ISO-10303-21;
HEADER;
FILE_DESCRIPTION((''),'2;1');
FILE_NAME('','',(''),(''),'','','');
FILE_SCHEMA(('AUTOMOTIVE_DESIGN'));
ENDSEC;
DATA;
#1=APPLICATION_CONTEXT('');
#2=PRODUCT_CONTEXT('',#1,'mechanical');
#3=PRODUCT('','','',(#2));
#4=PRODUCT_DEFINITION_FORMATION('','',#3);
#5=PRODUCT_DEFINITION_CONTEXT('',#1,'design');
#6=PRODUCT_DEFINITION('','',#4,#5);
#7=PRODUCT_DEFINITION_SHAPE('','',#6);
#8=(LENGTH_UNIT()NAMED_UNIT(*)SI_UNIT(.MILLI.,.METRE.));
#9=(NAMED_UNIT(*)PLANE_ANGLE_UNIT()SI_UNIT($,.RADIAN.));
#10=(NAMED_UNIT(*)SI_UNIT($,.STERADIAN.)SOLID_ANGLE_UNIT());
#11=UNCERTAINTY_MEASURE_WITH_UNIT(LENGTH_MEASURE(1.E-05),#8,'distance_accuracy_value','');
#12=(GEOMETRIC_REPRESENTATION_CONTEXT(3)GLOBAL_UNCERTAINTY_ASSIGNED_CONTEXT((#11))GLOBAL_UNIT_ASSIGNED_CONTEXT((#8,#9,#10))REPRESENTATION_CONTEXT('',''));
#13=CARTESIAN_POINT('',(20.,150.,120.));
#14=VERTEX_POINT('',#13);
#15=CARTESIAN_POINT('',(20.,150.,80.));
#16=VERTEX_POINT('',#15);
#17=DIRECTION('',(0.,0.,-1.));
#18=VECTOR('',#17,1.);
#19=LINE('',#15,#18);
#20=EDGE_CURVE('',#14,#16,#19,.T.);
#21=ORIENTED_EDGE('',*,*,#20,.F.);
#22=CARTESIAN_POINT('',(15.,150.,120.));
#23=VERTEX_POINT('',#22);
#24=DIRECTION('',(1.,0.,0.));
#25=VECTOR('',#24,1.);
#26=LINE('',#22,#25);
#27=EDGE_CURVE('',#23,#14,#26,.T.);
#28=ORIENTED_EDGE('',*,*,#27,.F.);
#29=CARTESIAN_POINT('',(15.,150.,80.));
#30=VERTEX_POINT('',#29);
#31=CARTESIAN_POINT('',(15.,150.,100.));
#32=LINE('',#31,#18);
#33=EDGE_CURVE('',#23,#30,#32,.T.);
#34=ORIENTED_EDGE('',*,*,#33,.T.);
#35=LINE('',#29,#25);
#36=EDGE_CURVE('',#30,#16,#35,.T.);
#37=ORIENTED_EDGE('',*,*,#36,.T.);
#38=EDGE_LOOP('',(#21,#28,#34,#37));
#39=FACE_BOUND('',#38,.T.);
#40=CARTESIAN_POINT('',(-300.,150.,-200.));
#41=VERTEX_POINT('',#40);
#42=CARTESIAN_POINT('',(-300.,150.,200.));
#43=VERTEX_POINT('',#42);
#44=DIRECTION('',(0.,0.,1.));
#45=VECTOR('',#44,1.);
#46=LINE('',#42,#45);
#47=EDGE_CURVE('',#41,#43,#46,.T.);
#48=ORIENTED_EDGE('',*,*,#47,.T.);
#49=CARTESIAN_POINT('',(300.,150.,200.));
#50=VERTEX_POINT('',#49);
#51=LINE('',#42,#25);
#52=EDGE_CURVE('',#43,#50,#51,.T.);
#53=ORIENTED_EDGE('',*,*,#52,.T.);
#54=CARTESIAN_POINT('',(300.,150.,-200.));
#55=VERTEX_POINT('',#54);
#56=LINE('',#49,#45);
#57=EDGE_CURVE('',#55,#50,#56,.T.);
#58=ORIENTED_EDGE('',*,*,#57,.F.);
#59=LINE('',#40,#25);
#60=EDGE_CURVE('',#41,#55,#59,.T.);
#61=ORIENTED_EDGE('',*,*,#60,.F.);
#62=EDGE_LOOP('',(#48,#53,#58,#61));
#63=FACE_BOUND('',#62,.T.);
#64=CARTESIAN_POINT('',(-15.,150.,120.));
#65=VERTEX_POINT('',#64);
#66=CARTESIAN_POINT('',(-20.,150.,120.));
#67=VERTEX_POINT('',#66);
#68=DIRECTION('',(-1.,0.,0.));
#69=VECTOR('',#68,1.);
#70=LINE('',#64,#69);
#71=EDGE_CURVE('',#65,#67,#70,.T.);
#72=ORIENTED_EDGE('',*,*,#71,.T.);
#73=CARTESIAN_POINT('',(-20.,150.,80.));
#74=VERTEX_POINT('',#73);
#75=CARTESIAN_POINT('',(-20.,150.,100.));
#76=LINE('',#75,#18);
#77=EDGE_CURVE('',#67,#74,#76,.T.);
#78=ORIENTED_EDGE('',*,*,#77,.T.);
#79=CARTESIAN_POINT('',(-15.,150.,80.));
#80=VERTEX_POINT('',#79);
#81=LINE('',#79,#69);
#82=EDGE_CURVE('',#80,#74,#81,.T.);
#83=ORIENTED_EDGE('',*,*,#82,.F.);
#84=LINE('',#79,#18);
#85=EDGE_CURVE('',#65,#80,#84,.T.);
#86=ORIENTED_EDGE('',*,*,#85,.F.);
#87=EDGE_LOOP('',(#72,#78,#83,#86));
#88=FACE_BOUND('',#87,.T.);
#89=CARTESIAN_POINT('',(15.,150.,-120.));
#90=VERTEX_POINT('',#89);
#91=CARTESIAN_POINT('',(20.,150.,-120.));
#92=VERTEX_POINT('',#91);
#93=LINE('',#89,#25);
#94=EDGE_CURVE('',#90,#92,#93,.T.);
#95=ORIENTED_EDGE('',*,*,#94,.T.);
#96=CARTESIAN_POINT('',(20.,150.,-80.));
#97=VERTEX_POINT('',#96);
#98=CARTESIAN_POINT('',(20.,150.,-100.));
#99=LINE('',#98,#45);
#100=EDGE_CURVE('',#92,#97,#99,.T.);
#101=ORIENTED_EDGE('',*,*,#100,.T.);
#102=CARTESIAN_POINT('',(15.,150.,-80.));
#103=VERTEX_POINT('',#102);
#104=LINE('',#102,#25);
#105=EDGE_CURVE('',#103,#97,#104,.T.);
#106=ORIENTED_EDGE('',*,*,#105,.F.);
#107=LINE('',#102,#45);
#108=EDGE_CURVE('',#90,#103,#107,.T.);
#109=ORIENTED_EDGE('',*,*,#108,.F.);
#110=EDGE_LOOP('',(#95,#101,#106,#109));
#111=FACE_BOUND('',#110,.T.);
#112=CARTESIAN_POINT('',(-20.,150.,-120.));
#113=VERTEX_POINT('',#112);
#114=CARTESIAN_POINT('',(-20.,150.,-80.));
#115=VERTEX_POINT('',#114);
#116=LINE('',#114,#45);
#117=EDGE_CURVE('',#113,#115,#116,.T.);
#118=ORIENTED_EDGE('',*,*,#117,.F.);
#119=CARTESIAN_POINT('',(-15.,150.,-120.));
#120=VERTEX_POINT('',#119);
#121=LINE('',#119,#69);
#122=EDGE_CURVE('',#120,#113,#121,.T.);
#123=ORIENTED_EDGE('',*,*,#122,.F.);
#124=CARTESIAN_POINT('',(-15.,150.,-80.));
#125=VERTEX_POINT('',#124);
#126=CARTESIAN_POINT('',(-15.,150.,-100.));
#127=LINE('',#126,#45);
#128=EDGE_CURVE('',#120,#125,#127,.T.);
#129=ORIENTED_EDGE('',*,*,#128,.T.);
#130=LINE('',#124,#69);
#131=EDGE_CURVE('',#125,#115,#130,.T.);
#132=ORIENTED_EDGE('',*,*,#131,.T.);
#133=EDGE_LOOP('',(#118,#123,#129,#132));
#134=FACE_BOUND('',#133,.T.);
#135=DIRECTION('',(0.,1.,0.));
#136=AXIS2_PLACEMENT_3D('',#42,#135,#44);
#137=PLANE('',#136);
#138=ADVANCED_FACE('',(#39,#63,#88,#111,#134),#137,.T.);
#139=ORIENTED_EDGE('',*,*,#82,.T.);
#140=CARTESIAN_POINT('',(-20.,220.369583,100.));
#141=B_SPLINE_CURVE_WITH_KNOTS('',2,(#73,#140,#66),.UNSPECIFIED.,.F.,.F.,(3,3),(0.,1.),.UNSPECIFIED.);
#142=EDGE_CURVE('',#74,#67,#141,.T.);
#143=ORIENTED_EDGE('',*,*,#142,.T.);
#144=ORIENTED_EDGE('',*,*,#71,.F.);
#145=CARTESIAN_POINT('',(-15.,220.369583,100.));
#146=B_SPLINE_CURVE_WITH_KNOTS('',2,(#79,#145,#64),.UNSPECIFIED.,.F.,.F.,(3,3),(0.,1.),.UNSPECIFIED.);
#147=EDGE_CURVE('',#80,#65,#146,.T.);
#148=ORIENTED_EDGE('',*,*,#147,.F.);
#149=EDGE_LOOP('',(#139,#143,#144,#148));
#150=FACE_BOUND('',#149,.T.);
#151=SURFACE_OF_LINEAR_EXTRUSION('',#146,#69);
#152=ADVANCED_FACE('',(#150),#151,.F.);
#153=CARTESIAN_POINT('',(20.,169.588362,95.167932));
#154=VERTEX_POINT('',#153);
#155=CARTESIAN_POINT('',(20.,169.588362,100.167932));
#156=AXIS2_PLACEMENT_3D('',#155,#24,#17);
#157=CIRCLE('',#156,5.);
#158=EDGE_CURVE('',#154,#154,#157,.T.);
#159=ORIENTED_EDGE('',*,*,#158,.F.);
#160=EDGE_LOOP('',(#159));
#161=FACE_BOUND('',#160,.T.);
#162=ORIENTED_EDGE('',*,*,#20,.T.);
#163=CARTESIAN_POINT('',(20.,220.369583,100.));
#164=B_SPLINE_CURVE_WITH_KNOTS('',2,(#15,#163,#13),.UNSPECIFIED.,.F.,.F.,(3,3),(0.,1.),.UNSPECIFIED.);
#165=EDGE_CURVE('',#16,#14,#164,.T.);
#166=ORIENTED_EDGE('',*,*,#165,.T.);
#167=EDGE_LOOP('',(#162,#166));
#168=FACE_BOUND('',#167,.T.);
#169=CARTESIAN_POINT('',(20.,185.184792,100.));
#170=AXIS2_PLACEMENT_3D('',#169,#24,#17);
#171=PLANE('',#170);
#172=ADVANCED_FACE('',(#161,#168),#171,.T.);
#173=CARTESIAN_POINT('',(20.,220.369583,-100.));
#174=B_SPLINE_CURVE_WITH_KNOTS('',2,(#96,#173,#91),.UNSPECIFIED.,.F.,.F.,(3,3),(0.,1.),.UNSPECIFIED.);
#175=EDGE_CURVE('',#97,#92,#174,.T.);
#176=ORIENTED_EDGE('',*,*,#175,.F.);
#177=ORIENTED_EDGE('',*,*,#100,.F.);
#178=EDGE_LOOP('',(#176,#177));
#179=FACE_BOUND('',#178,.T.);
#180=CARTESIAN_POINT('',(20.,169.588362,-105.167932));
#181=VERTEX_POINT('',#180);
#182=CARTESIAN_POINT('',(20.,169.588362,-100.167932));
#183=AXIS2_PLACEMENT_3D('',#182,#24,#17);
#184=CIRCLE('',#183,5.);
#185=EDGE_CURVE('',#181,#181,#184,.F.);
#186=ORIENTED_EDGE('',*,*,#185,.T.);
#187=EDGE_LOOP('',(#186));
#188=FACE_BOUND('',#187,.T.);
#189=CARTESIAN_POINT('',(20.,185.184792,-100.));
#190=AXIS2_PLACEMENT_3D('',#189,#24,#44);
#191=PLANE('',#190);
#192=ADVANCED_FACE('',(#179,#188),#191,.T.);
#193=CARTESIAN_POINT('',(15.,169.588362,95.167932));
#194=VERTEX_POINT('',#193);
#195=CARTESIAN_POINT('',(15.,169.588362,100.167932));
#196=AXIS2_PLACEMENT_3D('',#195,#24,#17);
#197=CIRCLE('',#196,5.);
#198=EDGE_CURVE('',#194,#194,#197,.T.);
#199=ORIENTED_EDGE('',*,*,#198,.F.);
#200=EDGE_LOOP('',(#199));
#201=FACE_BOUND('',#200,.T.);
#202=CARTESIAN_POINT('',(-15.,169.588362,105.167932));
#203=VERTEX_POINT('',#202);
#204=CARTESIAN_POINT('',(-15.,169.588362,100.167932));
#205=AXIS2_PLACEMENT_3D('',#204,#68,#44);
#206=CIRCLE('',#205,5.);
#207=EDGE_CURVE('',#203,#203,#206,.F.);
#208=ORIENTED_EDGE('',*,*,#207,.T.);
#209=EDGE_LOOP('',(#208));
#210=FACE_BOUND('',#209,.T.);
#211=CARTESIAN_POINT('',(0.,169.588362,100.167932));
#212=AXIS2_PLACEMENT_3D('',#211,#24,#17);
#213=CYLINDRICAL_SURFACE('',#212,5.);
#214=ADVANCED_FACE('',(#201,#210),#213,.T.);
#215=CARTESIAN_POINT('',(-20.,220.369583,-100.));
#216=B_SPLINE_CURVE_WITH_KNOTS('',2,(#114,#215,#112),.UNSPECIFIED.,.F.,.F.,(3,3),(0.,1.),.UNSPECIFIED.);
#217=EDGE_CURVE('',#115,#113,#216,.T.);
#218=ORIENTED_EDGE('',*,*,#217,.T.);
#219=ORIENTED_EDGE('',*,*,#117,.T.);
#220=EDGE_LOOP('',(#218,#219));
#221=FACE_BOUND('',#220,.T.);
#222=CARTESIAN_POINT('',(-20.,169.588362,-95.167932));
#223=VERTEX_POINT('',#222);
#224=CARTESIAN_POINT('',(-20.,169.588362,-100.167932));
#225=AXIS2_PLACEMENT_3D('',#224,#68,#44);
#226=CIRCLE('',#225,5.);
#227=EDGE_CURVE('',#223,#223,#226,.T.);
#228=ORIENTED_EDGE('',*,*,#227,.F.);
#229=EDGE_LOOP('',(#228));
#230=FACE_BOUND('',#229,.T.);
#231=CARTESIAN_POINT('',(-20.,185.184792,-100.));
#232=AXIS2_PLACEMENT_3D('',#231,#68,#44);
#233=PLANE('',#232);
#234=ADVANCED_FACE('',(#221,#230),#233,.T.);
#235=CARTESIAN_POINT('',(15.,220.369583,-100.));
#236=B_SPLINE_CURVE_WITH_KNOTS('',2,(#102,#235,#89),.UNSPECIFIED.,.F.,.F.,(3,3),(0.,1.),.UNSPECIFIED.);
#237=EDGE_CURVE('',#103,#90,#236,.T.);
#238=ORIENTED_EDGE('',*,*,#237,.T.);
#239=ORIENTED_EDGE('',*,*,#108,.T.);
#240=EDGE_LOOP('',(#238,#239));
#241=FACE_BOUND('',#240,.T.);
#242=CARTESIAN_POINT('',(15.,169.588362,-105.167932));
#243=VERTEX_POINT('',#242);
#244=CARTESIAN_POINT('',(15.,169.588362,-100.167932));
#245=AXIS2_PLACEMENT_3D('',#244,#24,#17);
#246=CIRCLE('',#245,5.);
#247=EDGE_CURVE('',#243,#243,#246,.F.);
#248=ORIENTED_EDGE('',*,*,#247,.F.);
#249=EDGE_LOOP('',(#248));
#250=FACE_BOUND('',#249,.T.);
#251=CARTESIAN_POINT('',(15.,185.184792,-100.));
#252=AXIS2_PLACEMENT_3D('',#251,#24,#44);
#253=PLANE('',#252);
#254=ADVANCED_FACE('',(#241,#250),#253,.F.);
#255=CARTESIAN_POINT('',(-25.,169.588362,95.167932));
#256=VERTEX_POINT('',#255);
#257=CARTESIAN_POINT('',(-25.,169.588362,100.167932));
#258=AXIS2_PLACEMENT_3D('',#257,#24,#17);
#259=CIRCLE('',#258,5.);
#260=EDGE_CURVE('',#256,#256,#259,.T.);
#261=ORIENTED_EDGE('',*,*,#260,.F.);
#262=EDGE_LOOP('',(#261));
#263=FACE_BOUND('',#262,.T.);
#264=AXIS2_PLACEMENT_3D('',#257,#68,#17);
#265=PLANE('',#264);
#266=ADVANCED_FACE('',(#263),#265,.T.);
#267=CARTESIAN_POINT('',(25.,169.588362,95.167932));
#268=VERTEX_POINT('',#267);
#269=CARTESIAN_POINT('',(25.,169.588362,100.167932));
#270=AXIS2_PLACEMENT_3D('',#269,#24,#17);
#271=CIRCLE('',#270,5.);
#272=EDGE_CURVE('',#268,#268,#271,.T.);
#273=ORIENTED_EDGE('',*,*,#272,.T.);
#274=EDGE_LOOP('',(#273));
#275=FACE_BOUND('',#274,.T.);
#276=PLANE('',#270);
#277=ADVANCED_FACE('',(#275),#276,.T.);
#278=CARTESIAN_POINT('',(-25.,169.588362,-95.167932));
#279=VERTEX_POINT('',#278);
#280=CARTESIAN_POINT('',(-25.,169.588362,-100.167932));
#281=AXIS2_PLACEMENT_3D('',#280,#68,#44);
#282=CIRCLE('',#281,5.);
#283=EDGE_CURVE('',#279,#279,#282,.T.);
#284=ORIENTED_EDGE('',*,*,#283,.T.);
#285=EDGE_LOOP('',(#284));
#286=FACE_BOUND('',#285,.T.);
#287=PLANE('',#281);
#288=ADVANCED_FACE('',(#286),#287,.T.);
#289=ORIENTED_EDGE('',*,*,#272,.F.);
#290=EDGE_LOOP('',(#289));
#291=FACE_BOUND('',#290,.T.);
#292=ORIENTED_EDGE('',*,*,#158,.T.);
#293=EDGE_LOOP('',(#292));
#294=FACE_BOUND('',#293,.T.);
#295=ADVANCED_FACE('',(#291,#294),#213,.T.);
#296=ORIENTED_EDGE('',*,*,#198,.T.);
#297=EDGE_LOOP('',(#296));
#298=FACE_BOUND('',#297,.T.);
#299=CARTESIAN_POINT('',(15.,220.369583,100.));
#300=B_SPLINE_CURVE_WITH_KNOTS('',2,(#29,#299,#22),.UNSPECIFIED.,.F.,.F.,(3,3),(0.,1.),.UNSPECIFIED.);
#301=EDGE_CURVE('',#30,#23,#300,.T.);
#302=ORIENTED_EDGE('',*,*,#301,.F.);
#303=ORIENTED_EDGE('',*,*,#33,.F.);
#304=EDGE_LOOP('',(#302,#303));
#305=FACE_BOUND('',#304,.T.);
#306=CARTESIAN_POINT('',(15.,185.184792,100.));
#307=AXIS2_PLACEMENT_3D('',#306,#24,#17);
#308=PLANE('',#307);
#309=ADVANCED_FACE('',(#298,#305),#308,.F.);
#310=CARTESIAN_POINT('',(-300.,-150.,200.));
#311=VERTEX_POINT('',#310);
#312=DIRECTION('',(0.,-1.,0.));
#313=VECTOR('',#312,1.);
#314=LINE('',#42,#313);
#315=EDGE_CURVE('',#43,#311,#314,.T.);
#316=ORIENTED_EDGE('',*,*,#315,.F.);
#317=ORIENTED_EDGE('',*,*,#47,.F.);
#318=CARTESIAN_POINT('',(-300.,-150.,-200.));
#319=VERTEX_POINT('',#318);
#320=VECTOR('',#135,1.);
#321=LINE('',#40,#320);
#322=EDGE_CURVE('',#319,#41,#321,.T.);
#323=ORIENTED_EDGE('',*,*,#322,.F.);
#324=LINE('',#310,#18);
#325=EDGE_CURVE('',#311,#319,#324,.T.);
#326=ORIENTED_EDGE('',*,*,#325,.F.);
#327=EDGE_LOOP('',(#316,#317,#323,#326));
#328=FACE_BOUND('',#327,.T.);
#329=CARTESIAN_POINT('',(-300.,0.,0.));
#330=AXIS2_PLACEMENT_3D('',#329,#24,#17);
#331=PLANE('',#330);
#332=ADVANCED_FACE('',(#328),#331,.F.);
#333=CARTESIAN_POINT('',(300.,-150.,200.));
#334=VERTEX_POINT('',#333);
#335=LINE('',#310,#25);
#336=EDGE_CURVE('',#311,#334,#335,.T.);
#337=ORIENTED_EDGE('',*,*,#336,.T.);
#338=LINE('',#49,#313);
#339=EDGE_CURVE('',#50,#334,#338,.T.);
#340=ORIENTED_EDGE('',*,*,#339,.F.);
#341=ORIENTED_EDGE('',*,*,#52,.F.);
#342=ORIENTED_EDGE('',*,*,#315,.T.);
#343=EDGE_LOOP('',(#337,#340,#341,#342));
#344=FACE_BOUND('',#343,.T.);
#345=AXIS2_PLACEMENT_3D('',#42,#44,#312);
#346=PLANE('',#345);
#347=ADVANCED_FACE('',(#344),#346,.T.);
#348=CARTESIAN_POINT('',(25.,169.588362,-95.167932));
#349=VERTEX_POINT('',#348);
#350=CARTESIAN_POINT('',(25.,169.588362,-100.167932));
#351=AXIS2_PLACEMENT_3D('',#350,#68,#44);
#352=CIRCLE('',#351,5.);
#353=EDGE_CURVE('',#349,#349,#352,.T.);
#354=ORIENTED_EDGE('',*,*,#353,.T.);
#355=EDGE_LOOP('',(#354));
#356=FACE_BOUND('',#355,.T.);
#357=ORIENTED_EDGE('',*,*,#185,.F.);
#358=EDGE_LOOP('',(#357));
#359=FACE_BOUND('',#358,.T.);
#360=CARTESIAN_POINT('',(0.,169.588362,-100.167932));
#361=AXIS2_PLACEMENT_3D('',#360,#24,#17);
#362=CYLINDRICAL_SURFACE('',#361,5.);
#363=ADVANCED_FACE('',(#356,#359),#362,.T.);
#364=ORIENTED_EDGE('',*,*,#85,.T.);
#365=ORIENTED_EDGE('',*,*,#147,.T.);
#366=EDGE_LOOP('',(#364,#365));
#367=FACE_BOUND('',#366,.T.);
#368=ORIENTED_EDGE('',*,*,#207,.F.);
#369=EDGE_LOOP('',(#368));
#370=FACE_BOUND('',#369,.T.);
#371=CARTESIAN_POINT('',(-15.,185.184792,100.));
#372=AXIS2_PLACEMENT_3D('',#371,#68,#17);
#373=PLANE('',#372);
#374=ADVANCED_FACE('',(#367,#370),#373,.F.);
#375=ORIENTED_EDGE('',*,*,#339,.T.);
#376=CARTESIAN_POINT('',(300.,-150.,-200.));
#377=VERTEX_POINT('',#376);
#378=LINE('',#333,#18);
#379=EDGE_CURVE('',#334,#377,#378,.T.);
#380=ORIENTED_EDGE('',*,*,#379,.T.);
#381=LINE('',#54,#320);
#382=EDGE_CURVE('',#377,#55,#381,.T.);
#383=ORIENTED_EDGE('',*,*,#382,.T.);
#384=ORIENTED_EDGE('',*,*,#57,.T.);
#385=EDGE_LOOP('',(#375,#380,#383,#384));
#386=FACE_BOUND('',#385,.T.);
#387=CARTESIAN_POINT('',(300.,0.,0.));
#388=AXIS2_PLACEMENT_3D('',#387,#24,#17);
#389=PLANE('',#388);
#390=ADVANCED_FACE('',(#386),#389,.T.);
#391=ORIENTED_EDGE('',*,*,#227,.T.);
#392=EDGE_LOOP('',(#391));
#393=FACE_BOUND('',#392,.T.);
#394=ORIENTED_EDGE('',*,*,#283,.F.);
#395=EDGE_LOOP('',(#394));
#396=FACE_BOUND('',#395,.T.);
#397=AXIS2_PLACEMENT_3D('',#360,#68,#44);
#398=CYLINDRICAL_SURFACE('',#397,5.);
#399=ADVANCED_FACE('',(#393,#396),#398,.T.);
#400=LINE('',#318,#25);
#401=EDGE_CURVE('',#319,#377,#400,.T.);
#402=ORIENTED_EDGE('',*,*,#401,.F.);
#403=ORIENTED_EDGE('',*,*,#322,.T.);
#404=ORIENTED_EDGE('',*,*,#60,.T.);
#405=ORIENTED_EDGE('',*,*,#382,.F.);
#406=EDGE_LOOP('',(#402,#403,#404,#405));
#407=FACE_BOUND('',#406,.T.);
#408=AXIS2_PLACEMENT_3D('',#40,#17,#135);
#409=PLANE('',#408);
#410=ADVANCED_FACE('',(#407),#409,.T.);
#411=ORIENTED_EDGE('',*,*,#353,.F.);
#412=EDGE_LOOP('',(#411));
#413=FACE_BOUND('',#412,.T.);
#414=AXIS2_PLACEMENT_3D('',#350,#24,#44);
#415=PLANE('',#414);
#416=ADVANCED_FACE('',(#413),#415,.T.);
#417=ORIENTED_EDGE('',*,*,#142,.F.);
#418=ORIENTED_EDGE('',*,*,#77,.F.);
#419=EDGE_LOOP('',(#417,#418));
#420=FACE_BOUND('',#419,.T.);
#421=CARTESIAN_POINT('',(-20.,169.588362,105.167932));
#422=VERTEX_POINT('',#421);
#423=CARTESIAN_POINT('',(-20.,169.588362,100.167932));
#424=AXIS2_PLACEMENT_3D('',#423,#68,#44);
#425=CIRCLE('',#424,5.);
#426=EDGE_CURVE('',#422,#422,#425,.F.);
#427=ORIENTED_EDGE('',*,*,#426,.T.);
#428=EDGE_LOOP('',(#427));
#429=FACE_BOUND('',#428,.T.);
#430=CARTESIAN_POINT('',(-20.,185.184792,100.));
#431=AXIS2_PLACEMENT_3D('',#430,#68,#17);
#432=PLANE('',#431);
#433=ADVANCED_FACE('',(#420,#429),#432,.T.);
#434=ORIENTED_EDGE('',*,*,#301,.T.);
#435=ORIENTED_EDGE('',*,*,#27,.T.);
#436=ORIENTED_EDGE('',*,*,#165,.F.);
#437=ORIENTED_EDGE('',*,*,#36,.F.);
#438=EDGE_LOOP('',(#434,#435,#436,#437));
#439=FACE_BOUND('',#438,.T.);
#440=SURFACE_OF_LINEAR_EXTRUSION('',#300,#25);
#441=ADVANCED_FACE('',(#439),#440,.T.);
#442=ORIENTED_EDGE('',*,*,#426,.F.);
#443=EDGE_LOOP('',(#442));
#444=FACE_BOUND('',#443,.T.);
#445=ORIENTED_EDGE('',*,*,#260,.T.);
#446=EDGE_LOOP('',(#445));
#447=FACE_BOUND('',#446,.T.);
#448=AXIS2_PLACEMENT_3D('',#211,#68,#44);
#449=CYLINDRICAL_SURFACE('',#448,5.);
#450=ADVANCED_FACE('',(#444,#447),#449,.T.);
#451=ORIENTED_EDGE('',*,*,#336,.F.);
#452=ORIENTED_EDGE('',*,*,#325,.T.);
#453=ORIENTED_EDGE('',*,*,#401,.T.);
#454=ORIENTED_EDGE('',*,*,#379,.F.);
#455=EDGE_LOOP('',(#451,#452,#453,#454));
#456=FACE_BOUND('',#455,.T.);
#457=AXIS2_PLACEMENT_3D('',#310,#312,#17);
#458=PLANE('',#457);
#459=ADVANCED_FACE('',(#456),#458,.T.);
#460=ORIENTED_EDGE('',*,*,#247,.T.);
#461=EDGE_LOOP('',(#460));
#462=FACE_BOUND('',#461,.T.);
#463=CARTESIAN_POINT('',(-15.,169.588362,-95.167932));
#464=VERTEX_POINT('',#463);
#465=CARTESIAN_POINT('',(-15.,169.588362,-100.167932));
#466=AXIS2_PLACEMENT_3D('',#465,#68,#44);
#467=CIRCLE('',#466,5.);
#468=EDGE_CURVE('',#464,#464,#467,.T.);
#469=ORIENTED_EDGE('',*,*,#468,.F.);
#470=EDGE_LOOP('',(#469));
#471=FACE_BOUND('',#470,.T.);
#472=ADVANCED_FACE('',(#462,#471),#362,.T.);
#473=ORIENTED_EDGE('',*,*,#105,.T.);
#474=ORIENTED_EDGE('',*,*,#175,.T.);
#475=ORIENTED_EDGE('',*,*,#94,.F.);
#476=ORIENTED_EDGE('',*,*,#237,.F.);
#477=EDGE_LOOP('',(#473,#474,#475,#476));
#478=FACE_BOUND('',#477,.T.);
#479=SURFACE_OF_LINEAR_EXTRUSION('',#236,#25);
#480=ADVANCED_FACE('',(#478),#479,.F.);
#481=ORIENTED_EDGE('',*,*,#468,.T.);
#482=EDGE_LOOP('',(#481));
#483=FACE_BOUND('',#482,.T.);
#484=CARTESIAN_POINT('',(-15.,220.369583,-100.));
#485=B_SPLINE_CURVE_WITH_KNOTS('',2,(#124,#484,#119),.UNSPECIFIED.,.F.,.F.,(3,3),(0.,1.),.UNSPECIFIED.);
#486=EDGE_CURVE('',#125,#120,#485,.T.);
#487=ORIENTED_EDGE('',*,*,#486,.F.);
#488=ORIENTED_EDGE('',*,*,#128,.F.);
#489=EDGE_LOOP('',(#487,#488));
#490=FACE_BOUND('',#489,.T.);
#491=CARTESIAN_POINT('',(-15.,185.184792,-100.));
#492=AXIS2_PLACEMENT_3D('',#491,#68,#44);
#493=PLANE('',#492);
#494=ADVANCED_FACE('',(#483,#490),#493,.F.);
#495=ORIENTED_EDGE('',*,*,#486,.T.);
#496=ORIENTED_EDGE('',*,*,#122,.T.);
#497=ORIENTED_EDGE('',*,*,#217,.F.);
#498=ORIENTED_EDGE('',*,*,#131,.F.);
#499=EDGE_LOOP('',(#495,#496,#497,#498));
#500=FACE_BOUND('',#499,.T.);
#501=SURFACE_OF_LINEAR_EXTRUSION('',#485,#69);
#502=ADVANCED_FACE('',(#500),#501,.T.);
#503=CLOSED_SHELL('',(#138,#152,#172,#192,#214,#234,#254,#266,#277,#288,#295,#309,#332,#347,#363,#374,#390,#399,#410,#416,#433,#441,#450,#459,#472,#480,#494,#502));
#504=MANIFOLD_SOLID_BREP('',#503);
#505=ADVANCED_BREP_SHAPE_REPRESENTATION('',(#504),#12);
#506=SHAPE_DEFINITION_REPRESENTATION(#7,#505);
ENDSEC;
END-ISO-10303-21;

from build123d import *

# Parameters (mm, degrees)
BOSS_EXTRUDE1_DEPTH      = 300
BOSS_EXTRUDE1_DEPTH_BACK = 300
SKETCH2_W                = 400
SKETCH2_H                = 300
BOSS_EXTRUDE4_DEPTH      = 5
BOSS_EXTRUDE5_START      = -20
SKETCH10_R               = 5
BOSS_EXTRUDE5_DEPTH      = 25
MIRROR2_COPY_1_DEPTH     = 5
MIRROR2_START            = -20
MIRROR2_COPY_2_SKETCH_R  = 5
MIRROR2_COPY_2_DEPTH     = 25


with BuildPart() as part:
    # Sketch2 → Boss-Extrude1 (new, two sides: drawn at the far end of the back side and taken through both)
    with BuildSketch(Plane(origin=(0, 0, 0), x_dir=(0, 0, -1), z_dir=(1, 0, 0)).offset(-BOSS_EXTRUDE1_DEPTH_BACK)):
        Rectangle(SKETCH2_W, SKETCH2_H)
    extrude(amount=BOSS_EXTRUDE1_DEPTH + BOSS_EXTRUDE1_DEPTH_BACK)

    # Sketch9 → Boss-Extrude4 (add)
    with BuildSketch(Plane(origin=(20, 0, 0), x_dir=(0, 0, -1), z_dir=(1, 0, 0))):
        with BuildLine():
            Line((-80, 150), (-100, 150))
            Line((-100, 150), (-120, 150))
            add(Edge.make_bspline(
                [(-120, 150), (-100, 220.369583086), (-80, 150)],
                knots=[0, 0, 0, 1, 1, 1], degree=2))
        make_face()
    boss_extrude4 = extrude(amount=-BOSS_EXTRUDE4_DEPTH)

    # Sketch10 → Boss-Extrude5 (add)
    with BuildSketch(Plane(origin=(20, 0, 0), x_dir=(0, 0, -1), z_dir=(1, 0, 0)).offset(BOSS_EXTRUDE5_START)):
        with Locations((-100.167931578, 169.588362033)):
            Circle(SKETCH10_R)
    boss_extrude5 = extrude(amount=BOSS_EXTRUDE5_DEPTH)

    # Mirror1: Boss-Extrude4, Boss-Extrude5 across plane
    add(boss_extrude4.mirror(Plane(origin=(0, 0, 0), x_dir=(0, 0, 1), z_dir=(1, 0, 0))))
    add(boss_extrude5.mirror(Plane(origin=(0, 0, 0), x_dir=(0, 0, 1), z_dir=(1, 0, 0))))

    # Mirror2: Boss-Extrude4, Boss-Extrude5 across plane
    add(boss_extrude4.mirror(Plane.XY))
    add(boss_extrude5.mirror(Plane.XY))

    # Mirror2 copy 1 sketch → Mirror2 copy 1 (add)
    with BuildSketch(Plane.ZY.offset(20)):
        with BuildLine():
            Line((-80, 150), (-100, 150))
            Line((-100, 150), (-120, 150))
            add(Edge.make_bspline(
                [(-120, 150), (-100, 220.369583086), (-80, 150)],
                knots=[0, 0, 0, 1, 1, 1], degree=2))
        make_face()
    extrude(amount=-MIRROR2_COPY_1_DEPTH)

    # Mirror2 copy 2 sketch → Mirror2 copy 2 (add)
    with BuildSketch(Plane.ZY.offset(20).offset(MIRROR2_START)):
        with Locations((-100.167931578, 169.588362033)):
            Circle(MIRROR2_COPY_2_SKETCH_R)
    extrude(amount=MIRROR2_COPY_2_DEPTH)


solid = part.part
